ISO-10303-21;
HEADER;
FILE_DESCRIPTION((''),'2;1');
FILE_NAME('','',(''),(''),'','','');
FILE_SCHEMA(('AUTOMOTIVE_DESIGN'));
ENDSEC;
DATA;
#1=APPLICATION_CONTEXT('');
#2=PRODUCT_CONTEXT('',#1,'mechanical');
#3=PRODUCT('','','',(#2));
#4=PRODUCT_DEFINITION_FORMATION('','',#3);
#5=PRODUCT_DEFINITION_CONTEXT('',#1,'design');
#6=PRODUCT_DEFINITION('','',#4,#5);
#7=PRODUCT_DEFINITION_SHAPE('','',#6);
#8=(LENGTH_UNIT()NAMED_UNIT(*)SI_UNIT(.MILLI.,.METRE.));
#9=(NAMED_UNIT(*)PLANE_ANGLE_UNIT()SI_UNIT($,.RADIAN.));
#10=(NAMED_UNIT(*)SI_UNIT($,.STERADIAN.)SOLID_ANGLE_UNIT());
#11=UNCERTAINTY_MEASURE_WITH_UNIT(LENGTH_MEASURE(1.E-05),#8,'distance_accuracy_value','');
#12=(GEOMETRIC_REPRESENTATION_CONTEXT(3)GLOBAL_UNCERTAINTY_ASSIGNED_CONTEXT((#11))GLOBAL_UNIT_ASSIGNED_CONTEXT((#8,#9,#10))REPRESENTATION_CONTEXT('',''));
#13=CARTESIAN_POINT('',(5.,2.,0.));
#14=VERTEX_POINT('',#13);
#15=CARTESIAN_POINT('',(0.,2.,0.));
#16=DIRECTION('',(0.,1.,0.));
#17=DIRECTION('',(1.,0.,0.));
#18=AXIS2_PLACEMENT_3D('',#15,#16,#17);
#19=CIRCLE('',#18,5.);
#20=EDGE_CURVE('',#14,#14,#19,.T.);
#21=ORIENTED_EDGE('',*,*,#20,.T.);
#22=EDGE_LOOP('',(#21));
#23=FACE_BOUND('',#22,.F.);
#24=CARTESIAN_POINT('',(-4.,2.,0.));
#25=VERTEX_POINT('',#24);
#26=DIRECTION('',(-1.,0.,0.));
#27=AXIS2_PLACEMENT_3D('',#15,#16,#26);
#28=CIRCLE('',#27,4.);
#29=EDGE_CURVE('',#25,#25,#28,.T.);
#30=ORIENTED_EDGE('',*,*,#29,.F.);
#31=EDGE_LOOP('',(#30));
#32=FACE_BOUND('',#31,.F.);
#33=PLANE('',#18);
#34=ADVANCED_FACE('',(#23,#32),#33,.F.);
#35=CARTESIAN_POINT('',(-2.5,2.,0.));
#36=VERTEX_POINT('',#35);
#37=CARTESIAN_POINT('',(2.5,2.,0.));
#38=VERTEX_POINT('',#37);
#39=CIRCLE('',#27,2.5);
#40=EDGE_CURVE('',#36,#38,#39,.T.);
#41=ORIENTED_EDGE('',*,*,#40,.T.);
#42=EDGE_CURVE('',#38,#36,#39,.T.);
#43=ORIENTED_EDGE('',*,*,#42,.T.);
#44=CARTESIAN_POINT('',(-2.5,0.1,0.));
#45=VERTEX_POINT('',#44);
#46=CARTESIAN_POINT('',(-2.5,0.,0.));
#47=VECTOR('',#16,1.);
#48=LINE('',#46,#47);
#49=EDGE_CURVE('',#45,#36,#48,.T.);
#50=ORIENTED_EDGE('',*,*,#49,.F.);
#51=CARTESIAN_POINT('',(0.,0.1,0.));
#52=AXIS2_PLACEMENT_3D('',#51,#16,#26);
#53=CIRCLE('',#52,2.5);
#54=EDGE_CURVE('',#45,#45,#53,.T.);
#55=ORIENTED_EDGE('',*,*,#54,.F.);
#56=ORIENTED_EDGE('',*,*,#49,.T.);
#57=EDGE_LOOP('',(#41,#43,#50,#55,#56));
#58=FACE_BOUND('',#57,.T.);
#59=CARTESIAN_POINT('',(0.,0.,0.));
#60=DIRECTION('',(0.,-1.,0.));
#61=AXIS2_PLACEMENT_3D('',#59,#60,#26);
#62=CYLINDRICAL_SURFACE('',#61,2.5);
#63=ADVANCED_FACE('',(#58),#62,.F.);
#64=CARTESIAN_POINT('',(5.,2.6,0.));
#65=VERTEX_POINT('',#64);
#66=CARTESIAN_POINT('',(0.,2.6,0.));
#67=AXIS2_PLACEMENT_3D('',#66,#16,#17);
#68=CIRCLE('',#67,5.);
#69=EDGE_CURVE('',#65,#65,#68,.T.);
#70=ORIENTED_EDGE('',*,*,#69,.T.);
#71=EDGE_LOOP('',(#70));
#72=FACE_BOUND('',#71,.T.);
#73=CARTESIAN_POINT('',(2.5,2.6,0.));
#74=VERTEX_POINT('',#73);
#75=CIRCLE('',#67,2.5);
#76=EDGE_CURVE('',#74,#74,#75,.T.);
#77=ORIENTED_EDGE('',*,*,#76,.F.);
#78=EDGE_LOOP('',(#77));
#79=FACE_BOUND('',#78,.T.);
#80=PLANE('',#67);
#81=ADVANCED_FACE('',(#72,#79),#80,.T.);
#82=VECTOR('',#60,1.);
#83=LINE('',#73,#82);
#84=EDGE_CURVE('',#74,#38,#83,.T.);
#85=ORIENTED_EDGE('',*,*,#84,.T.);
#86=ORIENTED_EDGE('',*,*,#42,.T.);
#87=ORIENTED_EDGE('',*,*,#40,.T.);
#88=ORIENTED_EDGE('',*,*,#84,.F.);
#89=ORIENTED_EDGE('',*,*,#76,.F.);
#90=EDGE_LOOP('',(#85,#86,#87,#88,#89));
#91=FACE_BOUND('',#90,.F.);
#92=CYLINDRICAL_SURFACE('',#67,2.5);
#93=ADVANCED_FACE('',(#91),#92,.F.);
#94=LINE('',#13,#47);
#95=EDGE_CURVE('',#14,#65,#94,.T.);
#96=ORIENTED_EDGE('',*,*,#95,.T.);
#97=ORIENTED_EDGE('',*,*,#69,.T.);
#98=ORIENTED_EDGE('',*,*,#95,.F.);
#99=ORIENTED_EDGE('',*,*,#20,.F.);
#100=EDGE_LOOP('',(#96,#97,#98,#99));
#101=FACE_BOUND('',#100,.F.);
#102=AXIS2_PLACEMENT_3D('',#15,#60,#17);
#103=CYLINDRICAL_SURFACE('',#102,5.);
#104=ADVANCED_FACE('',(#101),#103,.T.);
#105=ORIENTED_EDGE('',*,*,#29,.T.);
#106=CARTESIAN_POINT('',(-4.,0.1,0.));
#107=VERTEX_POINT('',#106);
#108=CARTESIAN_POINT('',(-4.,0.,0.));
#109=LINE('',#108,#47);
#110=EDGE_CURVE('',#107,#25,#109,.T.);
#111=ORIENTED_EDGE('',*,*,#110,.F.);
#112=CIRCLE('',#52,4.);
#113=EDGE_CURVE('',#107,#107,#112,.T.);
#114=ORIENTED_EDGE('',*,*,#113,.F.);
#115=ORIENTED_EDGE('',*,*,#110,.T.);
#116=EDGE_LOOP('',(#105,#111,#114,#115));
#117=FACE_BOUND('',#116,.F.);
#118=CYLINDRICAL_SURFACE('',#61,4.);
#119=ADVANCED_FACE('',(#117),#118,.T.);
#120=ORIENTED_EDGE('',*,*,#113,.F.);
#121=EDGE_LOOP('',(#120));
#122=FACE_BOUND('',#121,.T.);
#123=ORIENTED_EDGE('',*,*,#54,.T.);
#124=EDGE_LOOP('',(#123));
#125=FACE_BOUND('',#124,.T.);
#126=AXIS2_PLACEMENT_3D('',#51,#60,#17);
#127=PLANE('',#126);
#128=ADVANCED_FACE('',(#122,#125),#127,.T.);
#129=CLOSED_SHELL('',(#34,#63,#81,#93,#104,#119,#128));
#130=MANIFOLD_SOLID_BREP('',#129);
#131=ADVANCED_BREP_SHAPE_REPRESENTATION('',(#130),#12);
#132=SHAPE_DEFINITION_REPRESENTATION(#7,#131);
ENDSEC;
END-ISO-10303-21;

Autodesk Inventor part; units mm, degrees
ref_plane "YZ Plane" through (0, 0, 0) normal (1, 0, 0) x (0, 1, 0)
ref_plane "XZ Plane" through (0, 0, 0) normal (0, 1, 0) x (-1, 0, 0)
ref_plane "XY Plane" through (0, 0, 0) normal (0, 0, 1) x (1, 0, 0)
sketch "スケッチ1" plane through (0, 0, 0) normal (0, 1, 0) x (-1, 0, 0)
  circle A0 centre (0, 0) radius 4
  circle A1 centre (0, 0) radius 2.5
  dimension "d0" = 8
  dimension "d1" = 5
extrude "押し出し1" add sketch "スケッチ1" along normal blind 2
sketch "スケッチ2" plane through (0, 2, 0) normal (0, 1, 0) x (1, 0, 0)
  circle A0 centre (0, 0) radius 5
  dimension "d4" = 10
extrude "押し出し2" add sketch "スケッチ2" along normal blind 1
sketch "スケッチ3" plane through (0, 3, 0) normal (0, 1, 0) x (1, 0, 0)
  circle A0 centre (0, 0) radius 5
extrude "押し出し3" cut sketch "スケッチ3" against normal blind 0.4
sketch "スケッチ4" plane through (0, 2.6, 0) normal (0, 1, 0) x (1, 0, 0)
  circle A0 centre (0, 0) radius 2.5 projected
  circle A1 centre (0, 0) radius 2.5
  dimension "d9" = 5
extrude "押し出し4" cut sketch "スケッチ4" against normal blind 0.6
sketch "スケッチ5" plane through (0, 0, 0) normal (0, -1, 0) x (1, 0, 0)
  circle A0 centre (0, 0) radius 2.5
  circle A1 centre (0, 0) radius 4
extrude "押し出し5" cut sketch "スケッチ5" against normal blind 0.1
properties part number "SMF85 ベアリング" material "ステンレス鋼"
